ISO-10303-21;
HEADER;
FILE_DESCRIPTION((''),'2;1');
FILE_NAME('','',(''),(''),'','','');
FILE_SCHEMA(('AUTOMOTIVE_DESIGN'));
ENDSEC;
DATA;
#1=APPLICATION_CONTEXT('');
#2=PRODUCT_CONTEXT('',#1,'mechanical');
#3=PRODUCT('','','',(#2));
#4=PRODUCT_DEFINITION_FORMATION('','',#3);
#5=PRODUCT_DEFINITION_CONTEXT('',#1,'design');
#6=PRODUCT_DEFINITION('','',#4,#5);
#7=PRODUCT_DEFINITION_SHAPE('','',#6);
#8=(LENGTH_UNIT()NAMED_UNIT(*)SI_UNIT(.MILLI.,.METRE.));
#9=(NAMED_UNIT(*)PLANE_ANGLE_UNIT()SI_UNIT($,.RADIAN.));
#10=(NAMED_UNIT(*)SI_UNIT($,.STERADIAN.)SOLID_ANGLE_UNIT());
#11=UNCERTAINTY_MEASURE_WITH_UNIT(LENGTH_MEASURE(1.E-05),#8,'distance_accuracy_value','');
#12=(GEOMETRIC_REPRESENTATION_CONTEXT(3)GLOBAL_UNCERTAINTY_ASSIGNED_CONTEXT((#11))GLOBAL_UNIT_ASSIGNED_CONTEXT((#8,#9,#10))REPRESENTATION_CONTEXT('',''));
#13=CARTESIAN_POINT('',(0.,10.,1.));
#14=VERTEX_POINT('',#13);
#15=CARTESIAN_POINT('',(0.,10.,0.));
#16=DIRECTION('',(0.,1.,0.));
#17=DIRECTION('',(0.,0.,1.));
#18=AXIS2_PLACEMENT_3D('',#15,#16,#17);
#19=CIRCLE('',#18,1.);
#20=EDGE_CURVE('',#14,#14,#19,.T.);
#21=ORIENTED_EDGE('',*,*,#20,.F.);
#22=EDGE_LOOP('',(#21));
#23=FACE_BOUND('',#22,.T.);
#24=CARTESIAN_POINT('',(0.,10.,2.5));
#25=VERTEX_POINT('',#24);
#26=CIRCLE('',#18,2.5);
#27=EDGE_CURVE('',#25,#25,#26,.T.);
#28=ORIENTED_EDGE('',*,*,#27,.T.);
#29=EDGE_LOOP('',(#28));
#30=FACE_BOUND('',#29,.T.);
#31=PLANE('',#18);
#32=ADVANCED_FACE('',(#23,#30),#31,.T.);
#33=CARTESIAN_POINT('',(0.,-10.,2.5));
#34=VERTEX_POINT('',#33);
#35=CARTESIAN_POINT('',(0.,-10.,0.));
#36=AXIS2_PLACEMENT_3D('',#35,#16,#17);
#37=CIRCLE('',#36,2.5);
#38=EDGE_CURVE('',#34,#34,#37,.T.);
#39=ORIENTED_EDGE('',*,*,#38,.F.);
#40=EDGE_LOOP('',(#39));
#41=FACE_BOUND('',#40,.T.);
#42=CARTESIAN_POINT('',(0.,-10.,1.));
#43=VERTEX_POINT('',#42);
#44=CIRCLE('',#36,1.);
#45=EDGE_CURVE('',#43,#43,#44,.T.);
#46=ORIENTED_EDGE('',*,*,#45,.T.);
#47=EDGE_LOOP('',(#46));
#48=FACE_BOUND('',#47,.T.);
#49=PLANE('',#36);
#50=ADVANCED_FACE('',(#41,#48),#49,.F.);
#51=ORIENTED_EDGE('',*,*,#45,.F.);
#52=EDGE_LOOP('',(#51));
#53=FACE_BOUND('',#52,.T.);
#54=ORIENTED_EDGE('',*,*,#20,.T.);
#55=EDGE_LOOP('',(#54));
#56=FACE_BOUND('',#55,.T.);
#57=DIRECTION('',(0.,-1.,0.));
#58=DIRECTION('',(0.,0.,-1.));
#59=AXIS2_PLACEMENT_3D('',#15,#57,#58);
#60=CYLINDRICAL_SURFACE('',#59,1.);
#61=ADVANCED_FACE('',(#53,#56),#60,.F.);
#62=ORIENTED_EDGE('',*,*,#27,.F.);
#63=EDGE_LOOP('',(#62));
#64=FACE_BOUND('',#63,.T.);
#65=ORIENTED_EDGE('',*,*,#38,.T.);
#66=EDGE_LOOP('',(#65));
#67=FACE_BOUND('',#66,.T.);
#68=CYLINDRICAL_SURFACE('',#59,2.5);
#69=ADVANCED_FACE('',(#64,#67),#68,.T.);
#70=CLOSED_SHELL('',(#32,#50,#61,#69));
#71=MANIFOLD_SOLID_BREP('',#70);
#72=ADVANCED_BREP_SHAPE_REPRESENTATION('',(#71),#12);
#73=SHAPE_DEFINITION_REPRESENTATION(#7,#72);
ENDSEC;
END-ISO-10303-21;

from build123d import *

# Parameters (mm, degrees)
SKETCH_1_R      = 2.5
SKETCH_1_R_2    = 1
EXTRUDE_1_DEPTH = 10


with BuildPart() as part:
    # Эскиз1 → Бобышка-Вытянуть1 (new, symmetric)
    with BuildSketch(Plane(origin=(0, 0, 0), x_dir=(1, 0, 0), z_dir=(0, 1, 0))):
        with Locations(Location((0, 0, 0), (0, 0, 270))):
            Circle(SKETCH_1_R)
        with Locations(Location((0, 0, 0), (0, 0, 270))):
            Circle(SKETCH_1_R_2, mode=Mode.SUBTRACT)
    extrude(amount=EXTRUDE_1_DEPTH, both=True)


solid = part.part
